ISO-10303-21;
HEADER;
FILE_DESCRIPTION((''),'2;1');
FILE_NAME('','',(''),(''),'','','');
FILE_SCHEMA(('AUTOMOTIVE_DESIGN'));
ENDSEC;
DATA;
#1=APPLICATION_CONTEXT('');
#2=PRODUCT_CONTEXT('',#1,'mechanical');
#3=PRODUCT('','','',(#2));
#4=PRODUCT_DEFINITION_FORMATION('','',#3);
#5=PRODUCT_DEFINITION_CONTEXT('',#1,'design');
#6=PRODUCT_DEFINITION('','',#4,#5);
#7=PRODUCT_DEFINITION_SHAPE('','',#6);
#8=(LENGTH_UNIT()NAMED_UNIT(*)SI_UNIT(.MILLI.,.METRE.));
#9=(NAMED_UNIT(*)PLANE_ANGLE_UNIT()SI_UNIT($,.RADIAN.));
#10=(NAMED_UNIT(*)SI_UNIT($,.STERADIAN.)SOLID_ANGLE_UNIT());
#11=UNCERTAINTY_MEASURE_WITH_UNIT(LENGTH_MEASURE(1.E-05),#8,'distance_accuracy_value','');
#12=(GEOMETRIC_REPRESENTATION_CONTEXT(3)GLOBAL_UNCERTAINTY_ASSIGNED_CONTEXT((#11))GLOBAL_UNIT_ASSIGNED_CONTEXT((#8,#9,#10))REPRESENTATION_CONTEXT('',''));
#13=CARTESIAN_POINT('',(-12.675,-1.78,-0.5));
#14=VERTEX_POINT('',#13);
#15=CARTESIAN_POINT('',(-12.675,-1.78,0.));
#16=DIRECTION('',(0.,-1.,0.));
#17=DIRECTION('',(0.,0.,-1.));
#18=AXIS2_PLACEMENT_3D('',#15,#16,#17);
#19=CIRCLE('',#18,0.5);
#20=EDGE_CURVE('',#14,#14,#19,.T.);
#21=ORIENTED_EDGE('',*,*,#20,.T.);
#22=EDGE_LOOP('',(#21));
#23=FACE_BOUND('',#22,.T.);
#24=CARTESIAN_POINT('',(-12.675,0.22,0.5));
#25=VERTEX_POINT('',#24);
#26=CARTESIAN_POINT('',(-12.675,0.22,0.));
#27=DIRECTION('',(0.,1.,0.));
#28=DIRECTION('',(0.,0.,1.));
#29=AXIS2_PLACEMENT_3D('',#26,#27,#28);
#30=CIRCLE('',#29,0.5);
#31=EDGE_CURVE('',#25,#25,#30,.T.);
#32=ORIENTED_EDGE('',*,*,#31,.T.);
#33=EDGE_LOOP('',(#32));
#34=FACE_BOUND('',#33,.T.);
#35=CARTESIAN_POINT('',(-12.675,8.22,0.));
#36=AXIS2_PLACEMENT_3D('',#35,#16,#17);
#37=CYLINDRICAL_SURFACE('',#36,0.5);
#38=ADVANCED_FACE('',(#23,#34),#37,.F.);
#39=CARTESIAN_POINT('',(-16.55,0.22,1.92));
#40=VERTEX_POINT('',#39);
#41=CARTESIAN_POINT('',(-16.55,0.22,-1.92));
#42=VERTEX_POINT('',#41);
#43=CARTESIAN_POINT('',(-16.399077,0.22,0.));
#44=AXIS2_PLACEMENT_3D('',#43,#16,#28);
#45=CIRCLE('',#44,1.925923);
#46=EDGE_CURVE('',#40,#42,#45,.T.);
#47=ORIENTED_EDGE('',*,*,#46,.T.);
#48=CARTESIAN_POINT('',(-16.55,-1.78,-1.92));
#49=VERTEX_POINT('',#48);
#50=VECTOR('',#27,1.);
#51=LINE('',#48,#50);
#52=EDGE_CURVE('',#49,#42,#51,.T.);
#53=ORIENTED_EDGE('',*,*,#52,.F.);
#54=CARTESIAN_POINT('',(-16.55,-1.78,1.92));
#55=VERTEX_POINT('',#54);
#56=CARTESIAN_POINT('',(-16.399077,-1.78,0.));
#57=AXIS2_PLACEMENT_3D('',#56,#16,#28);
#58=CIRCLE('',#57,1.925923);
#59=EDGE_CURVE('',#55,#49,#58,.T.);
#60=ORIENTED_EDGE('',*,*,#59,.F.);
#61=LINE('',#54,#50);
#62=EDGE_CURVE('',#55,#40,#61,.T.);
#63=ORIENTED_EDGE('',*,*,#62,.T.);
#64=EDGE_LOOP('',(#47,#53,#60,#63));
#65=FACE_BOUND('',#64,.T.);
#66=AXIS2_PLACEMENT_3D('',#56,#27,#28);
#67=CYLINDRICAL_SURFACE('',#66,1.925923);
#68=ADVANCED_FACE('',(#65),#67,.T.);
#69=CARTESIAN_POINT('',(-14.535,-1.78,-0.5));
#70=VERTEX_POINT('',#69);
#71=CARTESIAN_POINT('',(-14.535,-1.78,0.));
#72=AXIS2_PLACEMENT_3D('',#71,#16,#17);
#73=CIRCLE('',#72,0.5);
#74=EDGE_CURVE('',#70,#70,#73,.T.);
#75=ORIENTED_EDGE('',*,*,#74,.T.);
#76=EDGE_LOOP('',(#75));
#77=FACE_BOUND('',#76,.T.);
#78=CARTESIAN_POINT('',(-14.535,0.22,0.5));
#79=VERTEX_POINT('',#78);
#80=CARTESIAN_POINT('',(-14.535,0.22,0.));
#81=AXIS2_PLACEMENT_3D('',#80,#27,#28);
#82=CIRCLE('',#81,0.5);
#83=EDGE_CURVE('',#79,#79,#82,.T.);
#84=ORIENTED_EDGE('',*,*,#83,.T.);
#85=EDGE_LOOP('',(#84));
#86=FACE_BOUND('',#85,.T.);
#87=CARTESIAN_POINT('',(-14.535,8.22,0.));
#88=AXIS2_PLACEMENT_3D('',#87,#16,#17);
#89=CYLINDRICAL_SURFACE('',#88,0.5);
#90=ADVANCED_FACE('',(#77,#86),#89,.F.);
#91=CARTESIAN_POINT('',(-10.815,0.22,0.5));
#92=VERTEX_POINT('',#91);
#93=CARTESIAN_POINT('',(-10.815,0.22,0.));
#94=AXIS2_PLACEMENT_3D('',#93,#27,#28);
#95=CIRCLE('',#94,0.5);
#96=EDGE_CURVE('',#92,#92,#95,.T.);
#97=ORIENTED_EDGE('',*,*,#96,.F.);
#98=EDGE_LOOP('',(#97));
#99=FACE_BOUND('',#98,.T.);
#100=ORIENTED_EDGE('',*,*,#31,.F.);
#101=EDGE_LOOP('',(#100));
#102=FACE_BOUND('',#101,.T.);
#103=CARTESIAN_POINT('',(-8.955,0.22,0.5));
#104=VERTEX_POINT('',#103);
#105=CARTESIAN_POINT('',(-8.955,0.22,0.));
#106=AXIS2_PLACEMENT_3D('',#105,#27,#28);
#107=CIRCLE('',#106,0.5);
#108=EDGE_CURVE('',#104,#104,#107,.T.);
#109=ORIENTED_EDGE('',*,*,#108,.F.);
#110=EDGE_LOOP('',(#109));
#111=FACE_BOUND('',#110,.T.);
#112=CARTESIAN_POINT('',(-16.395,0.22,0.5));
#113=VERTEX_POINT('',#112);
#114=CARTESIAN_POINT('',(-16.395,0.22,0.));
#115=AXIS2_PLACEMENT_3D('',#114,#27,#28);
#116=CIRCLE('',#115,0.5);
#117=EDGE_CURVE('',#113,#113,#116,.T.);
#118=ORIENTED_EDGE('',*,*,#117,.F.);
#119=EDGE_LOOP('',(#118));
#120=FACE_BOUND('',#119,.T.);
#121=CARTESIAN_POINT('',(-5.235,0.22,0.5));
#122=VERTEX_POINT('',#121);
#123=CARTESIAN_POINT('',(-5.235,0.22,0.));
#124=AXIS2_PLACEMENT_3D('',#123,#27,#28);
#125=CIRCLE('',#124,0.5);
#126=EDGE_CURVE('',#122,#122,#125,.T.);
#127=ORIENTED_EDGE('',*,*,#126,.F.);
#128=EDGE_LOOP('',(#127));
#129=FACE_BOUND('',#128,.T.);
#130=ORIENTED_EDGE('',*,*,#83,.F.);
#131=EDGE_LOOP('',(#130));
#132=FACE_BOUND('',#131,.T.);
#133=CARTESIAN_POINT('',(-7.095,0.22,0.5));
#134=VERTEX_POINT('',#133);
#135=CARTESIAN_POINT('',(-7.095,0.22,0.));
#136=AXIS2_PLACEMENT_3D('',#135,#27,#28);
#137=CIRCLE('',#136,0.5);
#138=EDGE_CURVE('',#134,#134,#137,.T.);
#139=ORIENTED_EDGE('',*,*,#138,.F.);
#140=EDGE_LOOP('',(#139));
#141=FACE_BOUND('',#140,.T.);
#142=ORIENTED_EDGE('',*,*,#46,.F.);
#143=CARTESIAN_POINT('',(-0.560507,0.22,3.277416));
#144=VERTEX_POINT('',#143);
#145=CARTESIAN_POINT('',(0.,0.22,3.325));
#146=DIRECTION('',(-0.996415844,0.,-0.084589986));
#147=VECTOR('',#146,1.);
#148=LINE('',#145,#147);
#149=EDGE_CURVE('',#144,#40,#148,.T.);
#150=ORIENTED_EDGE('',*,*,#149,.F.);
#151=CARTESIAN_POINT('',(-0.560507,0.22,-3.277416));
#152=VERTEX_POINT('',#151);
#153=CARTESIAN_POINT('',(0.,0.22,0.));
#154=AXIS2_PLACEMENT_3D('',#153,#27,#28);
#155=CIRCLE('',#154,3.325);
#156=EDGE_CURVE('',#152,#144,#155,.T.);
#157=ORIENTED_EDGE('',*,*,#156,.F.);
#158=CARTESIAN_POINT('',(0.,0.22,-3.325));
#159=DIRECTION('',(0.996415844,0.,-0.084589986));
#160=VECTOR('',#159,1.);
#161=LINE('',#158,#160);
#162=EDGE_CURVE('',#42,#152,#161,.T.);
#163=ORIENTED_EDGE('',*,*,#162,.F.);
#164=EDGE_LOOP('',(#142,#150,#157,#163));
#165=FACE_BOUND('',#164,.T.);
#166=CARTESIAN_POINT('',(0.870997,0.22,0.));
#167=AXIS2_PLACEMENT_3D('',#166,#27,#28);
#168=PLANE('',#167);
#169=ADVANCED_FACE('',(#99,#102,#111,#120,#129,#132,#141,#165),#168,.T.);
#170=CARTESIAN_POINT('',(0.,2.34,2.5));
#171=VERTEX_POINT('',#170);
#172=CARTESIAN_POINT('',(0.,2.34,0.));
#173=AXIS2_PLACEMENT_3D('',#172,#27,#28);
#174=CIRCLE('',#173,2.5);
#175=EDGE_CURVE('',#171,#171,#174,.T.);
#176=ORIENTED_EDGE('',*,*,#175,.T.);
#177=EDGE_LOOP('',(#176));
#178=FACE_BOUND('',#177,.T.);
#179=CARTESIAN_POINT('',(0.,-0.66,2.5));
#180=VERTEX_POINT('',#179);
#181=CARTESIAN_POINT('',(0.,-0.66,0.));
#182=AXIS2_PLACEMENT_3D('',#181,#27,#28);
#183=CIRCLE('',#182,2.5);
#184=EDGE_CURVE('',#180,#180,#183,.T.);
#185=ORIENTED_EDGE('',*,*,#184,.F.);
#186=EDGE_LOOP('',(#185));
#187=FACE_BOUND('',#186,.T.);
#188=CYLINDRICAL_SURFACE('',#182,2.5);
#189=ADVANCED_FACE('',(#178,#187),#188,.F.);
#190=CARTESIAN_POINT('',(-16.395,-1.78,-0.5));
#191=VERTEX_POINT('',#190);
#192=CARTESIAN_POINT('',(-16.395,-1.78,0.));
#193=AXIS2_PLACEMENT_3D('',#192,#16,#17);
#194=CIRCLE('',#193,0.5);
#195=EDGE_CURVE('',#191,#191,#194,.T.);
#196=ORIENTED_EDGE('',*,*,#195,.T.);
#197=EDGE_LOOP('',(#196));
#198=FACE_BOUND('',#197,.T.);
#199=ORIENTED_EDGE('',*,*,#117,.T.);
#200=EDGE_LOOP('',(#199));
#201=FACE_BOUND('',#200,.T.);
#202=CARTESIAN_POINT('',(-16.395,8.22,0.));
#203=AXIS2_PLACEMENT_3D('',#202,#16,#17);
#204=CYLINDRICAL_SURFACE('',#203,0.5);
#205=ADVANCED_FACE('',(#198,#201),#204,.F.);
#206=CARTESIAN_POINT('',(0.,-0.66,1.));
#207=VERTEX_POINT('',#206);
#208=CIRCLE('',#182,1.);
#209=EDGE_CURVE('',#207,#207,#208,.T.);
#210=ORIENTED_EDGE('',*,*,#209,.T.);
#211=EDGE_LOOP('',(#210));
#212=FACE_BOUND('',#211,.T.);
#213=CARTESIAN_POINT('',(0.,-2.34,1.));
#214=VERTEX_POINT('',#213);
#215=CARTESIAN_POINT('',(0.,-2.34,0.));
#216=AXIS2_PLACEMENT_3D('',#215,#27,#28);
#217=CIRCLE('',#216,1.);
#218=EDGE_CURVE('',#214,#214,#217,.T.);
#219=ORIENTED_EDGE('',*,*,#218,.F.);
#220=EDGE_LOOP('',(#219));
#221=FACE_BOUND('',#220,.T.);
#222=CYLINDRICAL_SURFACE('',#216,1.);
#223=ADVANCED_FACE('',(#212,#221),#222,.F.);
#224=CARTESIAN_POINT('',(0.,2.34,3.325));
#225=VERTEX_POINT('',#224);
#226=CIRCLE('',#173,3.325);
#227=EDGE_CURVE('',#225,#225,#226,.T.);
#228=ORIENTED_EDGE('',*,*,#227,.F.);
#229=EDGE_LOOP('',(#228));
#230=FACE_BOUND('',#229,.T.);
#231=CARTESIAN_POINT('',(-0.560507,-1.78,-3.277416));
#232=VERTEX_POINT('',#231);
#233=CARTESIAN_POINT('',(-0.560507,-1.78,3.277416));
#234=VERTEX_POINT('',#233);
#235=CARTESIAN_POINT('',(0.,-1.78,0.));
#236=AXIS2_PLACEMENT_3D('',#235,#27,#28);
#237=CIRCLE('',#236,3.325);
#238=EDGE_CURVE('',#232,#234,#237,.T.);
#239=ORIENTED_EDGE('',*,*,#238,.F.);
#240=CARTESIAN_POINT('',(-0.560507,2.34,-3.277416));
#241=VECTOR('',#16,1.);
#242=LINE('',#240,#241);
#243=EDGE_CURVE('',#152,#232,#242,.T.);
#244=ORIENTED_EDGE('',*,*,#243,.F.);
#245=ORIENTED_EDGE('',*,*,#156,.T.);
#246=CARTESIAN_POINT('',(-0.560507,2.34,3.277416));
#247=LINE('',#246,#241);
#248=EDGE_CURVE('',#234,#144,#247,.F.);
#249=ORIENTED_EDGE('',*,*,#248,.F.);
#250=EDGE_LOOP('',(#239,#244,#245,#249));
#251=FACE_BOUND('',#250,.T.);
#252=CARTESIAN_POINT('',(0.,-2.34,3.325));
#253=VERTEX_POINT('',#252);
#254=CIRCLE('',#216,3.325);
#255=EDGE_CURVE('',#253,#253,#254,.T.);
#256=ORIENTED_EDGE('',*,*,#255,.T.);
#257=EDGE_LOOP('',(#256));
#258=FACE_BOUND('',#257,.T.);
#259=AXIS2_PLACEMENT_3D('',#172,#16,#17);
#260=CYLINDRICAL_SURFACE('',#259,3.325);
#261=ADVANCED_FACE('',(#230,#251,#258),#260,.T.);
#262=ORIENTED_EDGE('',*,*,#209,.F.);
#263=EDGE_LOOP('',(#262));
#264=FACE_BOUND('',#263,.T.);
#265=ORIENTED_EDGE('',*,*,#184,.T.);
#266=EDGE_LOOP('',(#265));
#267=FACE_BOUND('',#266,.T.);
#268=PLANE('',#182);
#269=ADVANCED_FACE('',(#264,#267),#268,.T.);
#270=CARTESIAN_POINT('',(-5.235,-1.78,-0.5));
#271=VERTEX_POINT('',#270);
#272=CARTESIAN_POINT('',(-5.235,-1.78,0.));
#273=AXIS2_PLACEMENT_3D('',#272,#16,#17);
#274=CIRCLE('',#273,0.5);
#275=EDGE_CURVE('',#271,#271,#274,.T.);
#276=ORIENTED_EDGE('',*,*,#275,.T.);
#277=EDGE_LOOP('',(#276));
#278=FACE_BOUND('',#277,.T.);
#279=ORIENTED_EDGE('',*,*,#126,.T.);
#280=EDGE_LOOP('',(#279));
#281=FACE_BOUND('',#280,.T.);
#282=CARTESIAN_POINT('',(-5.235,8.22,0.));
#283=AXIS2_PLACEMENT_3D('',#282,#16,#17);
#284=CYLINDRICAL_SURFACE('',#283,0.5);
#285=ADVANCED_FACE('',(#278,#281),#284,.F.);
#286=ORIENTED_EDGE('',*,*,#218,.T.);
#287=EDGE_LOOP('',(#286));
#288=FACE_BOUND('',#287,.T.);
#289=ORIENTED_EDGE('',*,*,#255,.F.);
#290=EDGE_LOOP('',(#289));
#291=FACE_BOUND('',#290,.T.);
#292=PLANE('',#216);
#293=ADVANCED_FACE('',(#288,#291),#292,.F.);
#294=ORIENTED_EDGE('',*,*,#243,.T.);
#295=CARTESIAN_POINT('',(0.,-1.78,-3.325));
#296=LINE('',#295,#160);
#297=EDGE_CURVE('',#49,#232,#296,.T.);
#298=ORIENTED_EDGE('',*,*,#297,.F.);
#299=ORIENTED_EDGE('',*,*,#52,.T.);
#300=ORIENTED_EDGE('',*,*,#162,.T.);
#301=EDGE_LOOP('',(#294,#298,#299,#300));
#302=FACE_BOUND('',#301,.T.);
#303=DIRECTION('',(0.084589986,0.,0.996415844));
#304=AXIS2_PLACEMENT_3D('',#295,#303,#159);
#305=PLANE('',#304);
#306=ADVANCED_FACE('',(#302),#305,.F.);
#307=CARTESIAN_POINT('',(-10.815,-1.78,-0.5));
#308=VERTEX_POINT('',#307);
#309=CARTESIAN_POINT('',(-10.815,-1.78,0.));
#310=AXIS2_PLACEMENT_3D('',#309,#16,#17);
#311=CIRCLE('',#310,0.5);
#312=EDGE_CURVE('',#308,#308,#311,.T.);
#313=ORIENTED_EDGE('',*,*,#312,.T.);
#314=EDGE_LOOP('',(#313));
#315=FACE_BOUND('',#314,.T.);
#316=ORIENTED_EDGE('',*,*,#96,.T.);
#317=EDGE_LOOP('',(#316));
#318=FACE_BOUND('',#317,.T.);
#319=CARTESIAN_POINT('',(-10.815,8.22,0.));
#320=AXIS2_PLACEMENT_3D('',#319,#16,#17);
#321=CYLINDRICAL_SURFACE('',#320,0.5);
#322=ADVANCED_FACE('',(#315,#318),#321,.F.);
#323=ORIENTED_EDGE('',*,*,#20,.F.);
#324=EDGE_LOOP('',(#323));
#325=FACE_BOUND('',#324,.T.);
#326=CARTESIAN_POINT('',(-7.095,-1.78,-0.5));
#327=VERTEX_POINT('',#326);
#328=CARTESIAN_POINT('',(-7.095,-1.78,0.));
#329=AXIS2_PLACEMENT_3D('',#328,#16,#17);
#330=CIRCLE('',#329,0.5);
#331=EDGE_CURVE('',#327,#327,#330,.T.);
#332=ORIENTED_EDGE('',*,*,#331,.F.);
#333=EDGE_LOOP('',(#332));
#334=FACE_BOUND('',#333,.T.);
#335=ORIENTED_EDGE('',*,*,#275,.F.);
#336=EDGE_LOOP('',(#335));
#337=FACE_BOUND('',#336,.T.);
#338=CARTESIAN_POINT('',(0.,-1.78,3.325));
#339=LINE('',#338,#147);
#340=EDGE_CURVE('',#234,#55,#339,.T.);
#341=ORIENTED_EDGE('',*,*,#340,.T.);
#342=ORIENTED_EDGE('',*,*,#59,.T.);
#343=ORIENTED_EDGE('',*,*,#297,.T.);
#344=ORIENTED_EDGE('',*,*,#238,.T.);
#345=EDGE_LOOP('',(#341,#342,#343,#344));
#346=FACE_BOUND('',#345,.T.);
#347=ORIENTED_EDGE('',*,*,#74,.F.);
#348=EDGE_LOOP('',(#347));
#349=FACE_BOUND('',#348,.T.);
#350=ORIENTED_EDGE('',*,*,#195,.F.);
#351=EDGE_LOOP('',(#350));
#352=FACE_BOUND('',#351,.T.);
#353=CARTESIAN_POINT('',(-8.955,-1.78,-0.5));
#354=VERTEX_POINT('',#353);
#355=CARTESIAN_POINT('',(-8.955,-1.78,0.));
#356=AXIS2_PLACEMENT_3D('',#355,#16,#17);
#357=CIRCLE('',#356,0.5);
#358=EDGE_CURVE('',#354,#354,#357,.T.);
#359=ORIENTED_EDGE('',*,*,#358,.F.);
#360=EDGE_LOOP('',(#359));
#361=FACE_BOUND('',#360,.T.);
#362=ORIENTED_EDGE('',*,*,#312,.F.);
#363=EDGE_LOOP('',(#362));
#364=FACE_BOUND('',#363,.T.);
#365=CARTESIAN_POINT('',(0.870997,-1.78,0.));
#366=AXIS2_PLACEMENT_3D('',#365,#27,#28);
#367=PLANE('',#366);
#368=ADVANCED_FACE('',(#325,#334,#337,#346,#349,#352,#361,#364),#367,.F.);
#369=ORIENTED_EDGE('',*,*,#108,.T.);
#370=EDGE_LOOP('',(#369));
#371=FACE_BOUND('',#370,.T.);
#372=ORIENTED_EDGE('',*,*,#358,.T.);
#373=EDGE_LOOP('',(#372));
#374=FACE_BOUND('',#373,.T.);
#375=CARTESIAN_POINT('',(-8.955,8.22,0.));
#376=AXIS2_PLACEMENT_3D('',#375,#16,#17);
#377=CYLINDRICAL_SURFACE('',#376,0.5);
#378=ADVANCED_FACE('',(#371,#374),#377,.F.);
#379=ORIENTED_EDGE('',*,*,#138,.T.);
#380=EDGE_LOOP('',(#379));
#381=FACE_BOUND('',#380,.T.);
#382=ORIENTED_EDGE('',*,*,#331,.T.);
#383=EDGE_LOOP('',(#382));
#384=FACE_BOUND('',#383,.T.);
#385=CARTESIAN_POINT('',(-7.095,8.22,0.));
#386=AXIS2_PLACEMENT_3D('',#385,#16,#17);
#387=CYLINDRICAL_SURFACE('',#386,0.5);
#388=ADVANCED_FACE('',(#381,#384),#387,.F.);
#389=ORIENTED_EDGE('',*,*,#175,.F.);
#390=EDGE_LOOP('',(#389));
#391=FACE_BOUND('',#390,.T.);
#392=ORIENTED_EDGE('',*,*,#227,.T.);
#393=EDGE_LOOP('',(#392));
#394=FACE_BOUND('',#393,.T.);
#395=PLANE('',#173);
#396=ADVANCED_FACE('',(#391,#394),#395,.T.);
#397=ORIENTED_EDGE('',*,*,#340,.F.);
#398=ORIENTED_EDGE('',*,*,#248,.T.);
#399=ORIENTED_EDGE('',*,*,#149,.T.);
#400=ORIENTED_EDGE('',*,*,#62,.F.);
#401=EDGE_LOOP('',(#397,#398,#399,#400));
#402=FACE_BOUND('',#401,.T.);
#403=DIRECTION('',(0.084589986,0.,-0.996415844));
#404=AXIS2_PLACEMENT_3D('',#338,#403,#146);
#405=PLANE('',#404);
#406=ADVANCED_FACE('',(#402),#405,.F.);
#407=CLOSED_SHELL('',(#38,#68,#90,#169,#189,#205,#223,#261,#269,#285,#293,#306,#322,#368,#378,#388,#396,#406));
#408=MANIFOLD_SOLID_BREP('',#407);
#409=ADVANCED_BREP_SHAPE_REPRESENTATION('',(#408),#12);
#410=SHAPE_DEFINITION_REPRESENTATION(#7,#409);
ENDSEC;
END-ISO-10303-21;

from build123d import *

# Parameters (mm, degrees)
SKETCH_1_R          = 3.325
EXTRUDE_1_DEPTH     = 2.34
SKETCH_2_R          = 2.5
CUT_EXTRUDE_1_DEPTH = 3
SKETCH_3_R          = 1
CUT_EXTRUDE_2_DEPTH = 6.577745961
EXTRUDE_2_DEPTH     = 2
SKETCH_5_R          = 0.5
CUT_EXTRUDE_3_DEPTH = 10


with BuildPart() as part:
    # 草图1 → 凸台-拉伸1 (new, symmetric)
    with BuildSketch(Plane(origin=(0, 0, 0), x_dir=(1, 0, 0), z_dir=(0, 1, 0))):
        with Locations(Location((0, 0, 0), (0, 0, 90))):
            Circle(SKETCH_1_R)
    extrude(amount=EXTRUDE_1_DEPTH, both=True)

    # 草图2 → 切除-拉伸1 (cut)
    with BuildSketch(Plane(origin=(0, 2.34, 0), x_dir=(1, 0, 0), z_dir=(0, 1, 0))):
        with Locations(Location((0, 0, 0), (0, 0, 270))):
            Circle(SKETCH_2_R)
    extrude(amount=-CUT_EXTRUDE_1_DEPTH, mode=Mode.SUBTRACT)

    # 草图3 → 切除-拉伸2 (cut, through all)
    with BuildSketch(Plane(origin=(0, -0.66, 0), x_dir=(1, 0, 0), z_dir=(0, 1, 0))):
        with Locations(Location((0, 0, 0), (0, 0, 270))):
            Circle(SKETCH_3_R)
    extrude(amount=-CUT_EXTRUDE_2_DEPTH, mode=Mode.SUBTRACT)

    # 草图4 → 凸台-拉伸2 (add)
    with BuildSketch(Plane(origin=(0, 0.22, 0), x_dir=(-1, 0, 0), z_dir=(0, -1, 0))):
        with BuildLine():
            Line((0, 3.325), (16.55, 1.92))
            ThreePointArc((16.55, 1.92), (18.325, 0), (16.55, -1.92))
            Line((16.55, -1.92), (0, -3.325))
            ThreePointArc((0, -3.325), (2.566190787, 0), (0, 3.325))
        make_face()
    extrude(amount=EXTRUDE_2_DEPTH)

    # 草图5 → 切除-拉伸3 (cut)
    with BuildSketch(Plane(origin=(0, -1.78, 0), x_dir=(-1, 0, 0), z_dir=(0, -1, 0))):
        with Locations(Location((14.535, 0, 0), (0, 0, 90))):
            Circle(SKETCH_5_R)
        with Locations(Location((16.395, 0, 0), (0, 0, 90))):
            Circle(SKETCH_5_R)
        with Locations(Location((12.675, 0, 0), (0, 0, 90))):
            Circle(SKETCH_5_R)
        with Locations(Location((10.815, 0, 0), (0, 0, 90))):
            Circle(SKETCH_5_R)
        with Locations(Location((8.955, 0, 0), (0, 0, 90))):
            Circle(SKETCH_5_R)
        with Locations(Location((7.095, 0, 0), (0, 0, 90))):
            Circle(SKETCH_5_R)
        with Locations(Location((5.235, 0, 0), (0, 0, 90))):
            Circle(SKETCH_5_R)
    extrude(amount=-CUT_EXTRUDE_3_DEPTH, mode=Mode.SUBTRACT)


solid = part.part
